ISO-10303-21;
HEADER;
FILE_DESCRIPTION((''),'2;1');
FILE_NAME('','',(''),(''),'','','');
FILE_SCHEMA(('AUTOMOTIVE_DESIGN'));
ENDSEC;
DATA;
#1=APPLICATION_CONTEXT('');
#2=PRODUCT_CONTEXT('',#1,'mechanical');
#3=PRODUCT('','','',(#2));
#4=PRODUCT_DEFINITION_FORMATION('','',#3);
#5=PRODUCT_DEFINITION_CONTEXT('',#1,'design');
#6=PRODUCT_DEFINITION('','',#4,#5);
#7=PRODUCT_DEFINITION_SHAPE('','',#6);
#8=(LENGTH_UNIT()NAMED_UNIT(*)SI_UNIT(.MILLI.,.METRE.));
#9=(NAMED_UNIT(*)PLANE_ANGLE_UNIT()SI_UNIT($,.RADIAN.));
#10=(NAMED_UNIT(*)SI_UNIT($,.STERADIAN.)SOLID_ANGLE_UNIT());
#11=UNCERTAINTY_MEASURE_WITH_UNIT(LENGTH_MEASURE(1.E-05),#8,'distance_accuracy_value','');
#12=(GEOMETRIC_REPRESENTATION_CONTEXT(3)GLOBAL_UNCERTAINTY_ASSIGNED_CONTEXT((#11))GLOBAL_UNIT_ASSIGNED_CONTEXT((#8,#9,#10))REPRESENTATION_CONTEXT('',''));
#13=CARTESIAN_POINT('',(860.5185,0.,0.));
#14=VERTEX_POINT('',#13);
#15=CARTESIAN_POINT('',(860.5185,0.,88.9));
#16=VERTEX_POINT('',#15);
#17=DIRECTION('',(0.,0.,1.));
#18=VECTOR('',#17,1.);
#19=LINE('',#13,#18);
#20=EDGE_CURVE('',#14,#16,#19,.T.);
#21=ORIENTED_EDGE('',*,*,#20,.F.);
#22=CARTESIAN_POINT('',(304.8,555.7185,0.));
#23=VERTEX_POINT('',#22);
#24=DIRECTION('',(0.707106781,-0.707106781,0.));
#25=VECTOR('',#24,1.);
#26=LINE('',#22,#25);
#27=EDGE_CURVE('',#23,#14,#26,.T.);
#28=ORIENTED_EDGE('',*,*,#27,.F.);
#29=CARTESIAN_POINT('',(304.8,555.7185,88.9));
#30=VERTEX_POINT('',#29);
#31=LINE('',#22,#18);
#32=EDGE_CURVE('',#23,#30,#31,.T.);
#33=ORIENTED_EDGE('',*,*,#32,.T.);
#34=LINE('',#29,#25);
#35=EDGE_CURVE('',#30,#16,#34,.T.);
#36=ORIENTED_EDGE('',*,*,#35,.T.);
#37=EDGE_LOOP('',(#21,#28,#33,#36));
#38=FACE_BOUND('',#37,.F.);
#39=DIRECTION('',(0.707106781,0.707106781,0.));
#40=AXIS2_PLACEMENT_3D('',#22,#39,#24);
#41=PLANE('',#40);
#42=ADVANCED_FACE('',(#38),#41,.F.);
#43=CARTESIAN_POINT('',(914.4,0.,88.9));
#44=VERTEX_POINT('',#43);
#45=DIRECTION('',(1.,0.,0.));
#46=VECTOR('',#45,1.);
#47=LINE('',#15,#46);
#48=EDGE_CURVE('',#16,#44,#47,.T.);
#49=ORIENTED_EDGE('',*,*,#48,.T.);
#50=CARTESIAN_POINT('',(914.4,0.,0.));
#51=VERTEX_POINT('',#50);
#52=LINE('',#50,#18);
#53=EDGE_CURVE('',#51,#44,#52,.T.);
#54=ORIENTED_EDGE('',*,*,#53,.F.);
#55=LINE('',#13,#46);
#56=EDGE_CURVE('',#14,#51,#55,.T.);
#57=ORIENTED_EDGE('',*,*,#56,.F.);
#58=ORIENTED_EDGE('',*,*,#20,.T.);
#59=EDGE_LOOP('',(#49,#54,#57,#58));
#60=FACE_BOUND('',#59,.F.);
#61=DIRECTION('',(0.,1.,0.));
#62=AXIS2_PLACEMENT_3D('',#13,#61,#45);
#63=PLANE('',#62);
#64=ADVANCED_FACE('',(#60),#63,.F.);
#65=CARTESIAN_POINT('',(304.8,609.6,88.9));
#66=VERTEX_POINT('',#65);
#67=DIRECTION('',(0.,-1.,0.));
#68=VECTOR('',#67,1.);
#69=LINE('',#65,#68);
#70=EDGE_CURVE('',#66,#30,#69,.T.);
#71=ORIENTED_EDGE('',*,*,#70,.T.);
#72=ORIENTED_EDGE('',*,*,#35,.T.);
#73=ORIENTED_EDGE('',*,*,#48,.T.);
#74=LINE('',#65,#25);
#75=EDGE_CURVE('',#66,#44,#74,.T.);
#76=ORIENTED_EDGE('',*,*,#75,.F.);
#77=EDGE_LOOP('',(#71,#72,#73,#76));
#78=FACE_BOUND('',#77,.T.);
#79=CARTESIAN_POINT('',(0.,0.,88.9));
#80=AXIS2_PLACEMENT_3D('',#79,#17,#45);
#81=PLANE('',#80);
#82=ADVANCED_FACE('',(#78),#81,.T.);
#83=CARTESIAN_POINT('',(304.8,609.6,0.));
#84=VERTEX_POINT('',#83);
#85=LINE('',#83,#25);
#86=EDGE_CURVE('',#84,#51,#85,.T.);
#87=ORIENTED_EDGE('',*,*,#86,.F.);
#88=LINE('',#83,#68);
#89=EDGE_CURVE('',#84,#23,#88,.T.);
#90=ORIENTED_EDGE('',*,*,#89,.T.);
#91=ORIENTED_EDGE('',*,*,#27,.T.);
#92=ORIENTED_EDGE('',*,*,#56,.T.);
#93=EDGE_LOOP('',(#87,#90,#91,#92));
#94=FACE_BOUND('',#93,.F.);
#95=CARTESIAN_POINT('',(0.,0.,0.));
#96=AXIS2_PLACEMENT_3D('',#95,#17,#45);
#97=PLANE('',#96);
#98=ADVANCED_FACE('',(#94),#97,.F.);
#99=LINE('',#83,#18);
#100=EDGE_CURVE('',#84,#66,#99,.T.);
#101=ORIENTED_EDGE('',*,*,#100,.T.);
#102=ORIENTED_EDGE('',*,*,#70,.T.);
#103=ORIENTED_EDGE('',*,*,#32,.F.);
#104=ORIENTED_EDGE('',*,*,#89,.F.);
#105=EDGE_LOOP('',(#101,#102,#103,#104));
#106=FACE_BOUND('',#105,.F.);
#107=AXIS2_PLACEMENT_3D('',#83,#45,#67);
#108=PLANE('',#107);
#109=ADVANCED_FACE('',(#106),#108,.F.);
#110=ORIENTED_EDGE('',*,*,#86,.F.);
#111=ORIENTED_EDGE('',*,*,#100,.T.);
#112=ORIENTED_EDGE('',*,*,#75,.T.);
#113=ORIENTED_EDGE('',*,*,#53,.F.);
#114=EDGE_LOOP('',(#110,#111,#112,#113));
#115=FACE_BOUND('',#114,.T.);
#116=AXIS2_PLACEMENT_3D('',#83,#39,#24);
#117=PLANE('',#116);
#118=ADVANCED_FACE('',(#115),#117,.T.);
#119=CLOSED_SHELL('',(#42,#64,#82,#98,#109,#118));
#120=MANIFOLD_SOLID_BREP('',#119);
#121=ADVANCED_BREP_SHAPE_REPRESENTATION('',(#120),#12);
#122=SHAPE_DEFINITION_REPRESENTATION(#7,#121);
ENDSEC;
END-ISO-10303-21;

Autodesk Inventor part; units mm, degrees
ref_plane "YZ Plane" through (0, 0, 0) normal (1, 0, 0) x (0, 1, 0)
ref_plane "XZ Plane" through (0, 0, 0) normal (0, 1, 0) x (-1, 0, 0)
ref_plane "XY Plane" through (0, 0, 0) normal (0, 0, 1) x (1, 0, 0)
sketch "Sketch1" plane through (0, 0, 0) normal (0, 0, 1) x (1, 0, 0)
  line L0 (0, 0) -> (0, 609.6)
  line L1 (0, 0) -> (860.5185, 0)
  line L2 (0, 609.6) -> (265.6478, 609.6)
  line L3 (304.8, 609.6) -> (914.4, 0)
  line L4 (304.8, 609.6) -> (304.8, 555.7185)
  line L5 (0, 609.6) -> (0, 682.9906)
  line L6 (0, 682.9906) -> (0, 1732.1998)
  line L7 (0, 1902.1906) -> (304.8, 609.6)
  line L8 (304.8, 609.6) -> (267.717, 600.8556)
  line L9 (304.8, 609.6) -> (277.8592, 582.6592)
  line L10 (914.4, 0) -> (887.4592, -26.9408)
  line L11 (277.8592, 582.6592) -> (304.8, 555.7185)
  line L12 (0, 1902.1906) -> (-38.1, 1893.2064)
  line L13 (-38.1, 1893.2064) -> (0, 1732.1998)
  line L14 (265.6478, 609.6) -> (267.717, 600.8556)
  line L15 (265.6478, 609.6) -> (304.8, 609.6)
  line L16 (304.8, 555.7185) -> (304.8, 0)
  line L17 (304.8, 555.7185) -> (860.5185, 0)
  line L18 (860.5185, 0) -> (914.4, 0)
  line L19 (860.5185, 0) -> (887.4592, -26.9408)
  line L20 (0, 1732.1998) -> (265.6478, 609.6)
  line L21 (0, 1732.1998) -> (0, 1902.1906)
  dimension "d0" = 609.6
  dimension "d1" = 914.4
  dimension "d2" = 304.8
  dimension "d3" = 1219.2
  dimension "d5" = 38.1
  dimension "d6" = 38.1
  dimension "d7" = 90
  dimension "d8" = 90
  dimension "d9" = 38.1
  dimension "d10" = 90
  dimension "d13" = 38.1
extrude "Extrusion1" add sketch "Sketch1" along normal blind 88.9 contours L17 L4 L3 L18
properties part number "S_2x4x33.941"
